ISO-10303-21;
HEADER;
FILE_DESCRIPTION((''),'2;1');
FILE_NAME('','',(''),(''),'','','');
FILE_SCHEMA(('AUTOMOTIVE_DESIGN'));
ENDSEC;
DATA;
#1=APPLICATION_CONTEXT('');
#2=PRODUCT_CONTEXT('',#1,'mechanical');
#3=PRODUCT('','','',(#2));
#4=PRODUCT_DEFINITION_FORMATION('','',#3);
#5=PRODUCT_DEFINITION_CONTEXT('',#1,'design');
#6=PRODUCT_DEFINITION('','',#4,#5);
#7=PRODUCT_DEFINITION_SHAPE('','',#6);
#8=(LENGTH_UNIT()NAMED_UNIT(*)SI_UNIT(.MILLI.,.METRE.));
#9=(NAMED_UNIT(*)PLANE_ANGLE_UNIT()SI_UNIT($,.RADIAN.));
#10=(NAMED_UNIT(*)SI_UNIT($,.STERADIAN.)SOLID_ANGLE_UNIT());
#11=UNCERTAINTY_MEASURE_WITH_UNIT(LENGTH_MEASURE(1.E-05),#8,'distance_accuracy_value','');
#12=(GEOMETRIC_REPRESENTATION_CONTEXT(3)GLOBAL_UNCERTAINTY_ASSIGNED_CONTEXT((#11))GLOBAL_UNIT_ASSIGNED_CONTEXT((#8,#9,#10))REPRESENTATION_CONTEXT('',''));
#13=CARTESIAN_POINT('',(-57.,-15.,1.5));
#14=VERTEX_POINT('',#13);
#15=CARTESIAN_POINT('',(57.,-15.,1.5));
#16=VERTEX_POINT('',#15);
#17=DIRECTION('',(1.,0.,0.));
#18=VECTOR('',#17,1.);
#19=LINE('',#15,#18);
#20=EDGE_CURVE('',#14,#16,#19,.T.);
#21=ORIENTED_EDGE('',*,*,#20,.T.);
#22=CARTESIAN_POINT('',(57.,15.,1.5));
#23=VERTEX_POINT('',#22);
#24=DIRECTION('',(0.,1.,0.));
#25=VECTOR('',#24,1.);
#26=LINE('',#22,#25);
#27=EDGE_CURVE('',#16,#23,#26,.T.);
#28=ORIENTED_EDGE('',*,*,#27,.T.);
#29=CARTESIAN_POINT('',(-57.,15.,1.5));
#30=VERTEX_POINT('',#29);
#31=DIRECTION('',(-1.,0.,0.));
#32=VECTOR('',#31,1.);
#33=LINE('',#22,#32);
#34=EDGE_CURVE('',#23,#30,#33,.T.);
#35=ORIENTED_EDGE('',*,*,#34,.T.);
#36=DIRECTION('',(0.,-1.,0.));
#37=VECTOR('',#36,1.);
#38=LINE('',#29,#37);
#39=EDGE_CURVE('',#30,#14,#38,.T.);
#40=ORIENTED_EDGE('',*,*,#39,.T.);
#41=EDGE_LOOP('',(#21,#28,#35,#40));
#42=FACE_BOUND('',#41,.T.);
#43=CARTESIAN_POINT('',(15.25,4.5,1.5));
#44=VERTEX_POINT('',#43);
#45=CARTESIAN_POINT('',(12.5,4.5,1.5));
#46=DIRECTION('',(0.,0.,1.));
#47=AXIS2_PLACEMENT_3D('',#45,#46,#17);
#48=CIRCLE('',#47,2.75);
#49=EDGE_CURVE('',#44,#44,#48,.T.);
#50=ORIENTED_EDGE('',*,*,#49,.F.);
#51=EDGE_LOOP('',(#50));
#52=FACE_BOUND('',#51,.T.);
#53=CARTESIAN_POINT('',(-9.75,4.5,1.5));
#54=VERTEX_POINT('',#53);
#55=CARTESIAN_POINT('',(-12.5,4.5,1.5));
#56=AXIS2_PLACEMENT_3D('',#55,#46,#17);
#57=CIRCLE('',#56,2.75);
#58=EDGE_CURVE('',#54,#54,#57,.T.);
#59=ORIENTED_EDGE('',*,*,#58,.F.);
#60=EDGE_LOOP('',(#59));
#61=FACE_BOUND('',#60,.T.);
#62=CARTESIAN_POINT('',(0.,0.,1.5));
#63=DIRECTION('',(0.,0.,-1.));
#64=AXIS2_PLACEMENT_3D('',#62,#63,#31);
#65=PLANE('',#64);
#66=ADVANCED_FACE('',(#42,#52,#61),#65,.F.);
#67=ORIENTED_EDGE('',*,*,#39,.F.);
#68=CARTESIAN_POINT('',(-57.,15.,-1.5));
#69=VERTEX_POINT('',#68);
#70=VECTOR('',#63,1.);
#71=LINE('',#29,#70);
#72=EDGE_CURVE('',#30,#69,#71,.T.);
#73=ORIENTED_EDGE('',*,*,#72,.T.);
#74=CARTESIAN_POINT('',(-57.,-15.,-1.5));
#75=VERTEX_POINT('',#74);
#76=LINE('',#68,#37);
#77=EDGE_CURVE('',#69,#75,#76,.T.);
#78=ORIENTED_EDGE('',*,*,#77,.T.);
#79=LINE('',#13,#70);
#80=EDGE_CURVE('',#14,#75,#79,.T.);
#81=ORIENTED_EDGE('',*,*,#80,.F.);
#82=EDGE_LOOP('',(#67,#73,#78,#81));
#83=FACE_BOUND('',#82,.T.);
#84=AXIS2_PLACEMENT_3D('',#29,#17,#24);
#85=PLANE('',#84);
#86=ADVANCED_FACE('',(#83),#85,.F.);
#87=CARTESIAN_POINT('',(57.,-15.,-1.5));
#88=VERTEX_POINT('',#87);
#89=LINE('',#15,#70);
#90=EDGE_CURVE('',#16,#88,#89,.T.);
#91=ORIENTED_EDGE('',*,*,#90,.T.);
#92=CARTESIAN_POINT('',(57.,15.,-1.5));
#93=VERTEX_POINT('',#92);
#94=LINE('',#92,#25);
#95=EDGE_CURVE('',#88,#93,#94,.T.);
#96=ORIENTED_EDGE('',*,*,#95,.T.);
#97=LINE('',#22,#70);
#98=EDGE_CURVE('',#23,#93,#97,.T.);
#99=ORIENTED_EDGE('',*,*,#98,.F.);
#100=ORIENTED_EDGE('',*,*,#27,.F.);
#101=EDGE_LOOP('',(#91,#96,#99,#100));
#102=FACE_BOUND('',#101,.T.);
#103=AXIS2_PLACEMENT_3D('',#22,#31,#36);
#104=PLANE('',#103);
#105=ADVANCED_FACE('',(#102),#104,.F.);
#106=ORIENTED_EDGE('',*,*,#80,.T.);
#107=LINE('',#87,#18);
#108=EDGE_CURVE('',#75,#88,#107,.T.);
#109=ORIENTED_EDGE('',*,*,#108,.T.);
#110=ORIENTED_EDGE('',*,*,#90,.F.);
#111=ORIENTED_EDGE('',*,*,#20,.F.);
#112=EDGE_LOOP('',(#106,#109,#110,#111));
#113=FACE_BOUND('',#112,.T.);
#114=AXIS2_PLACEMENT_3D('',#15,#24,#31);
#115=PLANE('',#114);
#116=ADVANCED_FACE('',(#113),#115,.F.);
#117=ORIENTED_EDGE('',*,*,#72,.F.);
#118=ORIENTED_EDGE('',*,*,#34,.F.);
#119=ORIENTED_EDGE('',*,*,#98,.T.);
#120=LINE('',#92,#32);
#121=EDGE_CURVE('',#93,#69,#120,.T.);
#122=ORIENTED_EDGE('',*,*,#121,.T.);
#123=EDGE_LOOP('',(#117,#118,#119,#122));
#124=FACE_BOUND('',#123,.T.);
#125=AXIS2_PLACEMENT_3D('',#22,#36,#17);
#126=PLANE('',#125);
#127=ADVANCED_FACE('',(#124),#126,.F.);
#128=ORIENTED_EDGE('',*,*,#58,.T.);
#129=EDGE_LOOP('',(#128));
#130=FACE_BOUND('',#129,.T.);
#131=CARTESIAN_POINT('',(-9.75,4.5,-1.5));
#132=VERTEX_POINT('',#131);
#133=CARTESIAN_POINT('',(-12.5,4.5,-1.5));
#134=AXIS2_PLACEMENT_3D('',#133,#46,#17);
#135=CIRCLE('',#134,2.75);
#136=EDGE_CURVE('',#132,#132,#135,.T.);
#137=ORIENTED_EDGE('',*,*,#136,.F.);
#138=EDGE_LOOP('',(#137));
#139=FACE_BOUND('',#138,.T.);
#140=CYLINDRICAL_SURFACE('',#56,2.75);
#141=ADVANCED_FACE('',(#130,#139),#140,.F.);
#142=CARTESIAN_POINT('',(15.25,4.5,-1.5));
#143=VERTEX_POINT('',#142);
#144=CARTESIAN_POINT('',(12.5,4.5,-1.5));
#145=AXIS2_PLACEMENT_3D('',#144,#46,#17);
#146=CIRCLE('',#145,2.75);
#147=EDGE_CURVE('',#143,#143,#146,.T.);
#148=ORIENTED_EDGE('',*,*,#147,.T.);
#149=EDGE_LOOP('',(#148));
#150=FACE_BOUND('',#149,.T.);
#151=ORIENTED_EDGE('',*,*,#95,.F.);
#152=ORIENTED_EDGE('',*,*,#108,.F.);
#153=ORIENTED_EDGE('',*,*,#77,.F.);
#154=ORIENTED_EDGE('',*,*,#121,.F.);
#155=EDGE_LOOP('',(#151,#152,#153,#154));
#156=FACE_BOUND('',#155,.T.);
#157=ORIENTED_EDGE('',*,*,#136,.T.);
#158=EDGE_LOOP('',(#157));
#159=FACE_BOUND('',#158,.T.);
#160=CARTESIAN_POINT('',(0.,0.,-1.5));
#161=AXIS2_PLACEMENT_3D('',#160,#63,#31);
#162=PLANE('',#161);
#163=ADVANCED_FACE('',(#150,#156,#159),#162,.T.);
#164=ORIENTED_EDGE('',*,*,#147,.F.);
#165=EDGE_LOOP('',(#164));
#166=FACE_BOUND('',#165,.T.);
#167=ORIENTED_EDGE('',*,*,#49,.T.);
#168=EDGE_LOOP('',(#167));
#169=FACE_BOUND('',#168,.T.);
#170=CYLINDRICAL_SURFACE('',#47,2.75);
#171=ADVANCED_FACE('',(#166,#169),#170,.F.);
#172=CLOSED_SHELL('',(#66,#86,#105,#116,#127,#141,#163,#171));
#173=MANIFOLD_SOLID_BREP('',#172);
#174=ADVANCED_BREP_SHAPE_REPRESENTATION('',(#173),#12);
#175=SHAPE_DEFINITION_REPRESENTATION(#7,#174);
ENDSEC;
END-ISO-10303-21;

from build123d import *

# Parameters (mm, degrees)
SKETCH1_W            = 114
SKETCH1_H            = 30
BOSS_EXTRUDE1_DEPTH  = 1.5
M5_CLEARANCE_HOLE1_D = 5.5


with BuildPart() as part:
    # Sketch1 → Boss-Extrude1 (new, symmetric)
    with BuildSketch(Plane.XY):
        Rectangle(SKETCH1_W, SKETCH1_H)
    extrude(amount=BOSS_EXTRUDE1_DEPTH, both=True)

    # M5 Clearance Hole1 (through all)
    with Locations(Plane.XY.offset(1.5)):
        with Locations((-12.5, 4.5), (12.5, 4.5)):
            Hole(M5_CLEARANCE_HOLE1_D / 2)


solid = part.part
